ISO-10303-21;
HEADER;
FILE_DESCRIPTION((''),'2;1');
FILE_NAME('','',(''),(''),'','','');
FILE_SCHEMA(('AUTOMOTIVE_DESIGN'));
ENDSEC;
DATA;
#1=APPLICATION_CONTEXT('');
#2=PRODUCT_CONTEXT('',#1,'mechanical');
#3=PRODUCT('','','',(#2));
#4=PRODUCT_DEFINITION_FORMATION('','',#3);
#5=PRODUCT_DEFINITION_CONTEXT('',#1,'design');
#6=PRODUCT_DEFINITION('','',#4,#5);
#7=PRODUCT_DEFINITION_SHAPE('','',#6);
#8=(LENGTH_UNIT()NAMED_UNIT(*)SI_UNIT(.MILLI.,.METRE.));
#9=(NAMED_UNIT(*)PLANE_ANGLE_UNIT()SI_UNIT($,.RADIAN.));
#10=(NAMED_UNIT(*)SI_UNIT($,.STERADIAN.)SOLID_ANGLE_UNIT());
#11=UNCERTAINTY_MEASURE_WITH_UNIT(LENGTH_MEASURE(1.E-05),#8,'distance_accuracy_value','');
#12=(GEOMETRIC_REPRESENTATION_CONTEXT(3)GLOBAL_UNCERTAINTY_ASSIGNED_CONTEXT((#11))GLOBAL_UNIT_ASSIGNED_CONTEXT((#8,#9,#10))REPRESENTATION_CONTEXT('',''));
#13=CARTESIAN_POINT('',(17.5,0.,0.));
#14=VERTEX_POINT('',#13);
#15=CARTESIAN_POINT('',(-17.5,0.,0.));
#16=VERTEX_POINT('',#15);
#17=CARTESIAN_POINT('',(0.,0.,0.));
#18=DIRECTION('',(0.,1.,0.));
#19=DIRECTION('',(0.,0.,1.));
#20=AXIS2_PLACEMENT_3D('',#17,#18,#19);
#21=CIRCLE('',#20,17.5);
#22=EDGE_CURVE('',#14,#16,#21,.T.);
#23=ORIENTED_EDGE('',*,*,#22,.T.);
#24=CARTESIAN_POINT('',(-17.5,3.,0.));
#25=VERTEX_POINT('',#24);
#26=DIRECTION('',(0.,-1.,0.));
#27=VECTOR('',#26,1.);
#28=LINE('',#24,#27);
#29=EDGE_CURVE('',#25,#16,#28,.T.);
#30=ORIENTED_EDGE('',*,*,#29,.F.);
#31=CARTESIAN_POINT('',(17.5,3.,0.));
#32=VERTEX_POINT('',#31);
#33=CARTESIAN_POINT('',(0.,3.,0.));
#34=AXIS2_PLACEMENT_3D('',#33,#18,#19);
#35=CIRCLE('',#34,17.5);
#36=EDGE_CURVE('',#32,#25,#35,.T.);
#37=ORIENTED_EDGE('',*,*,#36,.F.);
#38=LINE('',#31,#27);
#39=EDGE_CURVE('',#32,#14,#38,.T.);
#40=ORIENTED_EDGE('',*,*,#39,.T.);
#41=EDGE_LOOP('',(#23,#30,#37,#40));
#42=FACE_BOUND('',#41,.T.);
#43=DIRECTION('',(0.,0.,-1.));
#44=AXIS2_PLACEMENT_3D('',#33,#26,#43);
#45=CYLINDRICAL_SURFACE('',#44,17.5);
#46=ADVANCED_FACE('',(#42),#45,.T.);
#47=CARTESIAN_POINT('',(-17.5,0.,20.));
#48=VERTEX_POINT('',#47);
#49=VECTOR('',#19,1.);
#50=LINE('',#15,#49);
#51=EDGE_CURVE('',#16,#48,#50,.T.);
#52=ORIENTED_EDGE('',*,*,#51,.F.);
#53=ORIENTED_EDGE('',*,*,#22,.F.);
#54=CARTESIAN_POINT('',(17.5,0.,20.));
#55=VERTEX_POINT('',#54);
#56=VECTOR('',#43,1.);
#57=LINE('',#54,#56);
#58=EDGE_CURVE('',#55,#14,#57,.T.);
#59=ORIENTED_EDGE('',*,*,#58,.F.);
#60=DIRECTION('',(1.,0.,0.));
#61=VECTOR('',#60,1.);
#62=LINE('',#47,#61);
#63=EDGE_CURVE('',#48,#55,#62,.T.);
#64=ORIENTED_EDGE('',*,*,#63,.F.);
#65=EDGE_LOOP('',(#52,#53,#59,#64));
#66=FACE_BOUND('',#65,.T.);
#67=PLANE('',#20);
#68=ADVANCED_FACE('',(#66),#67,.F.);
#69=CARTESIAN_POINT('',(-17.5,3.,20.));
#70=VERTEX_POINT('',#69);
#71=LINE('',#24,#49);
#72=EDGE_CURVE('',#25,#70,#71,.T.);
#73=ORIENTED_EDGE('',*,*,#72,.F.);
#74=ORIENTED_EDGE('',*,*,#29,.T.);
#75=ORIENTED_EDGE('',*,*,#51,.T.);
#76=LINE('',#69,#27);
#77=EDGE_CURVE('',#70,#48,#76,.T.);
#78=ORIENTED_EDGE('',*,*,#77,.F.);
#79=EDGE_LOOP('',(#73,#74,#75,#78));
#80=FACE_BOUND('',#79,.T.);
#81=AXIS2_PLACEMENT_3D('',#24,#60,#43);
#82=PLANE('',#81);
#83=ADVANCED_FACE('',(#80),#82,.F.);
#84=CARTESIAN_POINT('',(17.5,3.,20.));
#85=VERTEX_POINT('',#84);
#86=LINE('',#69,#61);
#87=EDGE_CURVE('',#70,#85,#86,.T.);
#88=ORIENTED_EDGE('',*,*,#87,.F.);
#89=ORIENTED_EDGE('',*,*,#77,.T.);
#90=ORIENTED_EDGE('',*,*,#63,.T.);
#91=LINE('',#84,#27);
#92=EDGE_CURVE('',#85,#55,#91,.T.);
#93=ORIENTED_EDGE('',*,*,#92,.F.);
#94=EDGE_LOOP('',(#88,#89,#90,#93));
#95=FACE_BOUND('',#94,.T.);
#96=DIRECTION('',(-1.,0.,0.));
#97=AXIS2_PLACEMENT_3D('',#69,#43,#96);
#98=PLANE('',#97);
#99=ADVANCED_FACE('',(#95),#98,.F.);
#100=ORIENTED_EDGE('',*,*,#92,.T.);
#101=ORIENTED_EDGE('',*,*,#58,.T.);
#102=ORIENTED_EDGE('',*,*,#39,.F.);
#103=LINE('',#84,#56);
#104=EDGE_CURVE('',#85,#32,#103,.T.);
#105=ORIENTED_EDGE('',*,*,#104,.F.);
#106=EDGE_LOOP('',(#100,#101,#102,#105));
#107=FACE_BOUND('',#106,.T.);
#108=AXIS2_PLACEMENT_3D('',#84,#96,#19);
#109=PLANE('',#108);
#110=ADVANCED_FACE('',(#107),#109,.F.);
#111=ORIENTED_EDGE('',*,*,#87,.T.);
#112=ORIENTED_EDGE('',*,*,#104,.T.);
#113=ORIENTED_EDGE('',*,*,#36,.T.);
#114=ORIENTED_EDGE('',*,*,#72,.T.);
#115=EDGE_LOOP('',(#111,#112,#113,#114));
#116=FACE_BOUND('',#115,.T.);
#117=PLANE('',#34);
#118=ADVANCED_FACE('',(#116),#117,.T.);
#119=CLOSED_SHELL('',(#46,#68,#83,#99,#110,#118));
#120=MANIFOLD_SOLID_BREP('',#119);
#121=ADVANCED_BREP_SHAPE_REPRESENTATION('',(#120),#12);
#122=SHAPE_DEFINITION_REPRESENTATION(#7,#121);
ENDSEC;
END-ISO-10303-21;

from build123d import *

# Parameters (mm, degrees)
EXTRUDE_1_DEPTH = 3


with BuildPart() as part:
    # 草图1 → 凸台-拉伸1 (new body)
    with BuildSketch(Plane(origin=(0, 0, 0), x_dir=(1, 0, 0), z_dir=(0, 1, 0))):
        with BuildLine():
            Line((-17.5, 0), (-17.5, -20))
            Line((-17.5, -20), (17.5, -20))
            Line((17.5, -20), (17.5, 0))
            ThreePointArc((17.5, 0), (0, 17.5), (-17.5, 0))
        make_face()
    extrude(amount=EXTRUDE_1_DEPTH)


solid = part.part
